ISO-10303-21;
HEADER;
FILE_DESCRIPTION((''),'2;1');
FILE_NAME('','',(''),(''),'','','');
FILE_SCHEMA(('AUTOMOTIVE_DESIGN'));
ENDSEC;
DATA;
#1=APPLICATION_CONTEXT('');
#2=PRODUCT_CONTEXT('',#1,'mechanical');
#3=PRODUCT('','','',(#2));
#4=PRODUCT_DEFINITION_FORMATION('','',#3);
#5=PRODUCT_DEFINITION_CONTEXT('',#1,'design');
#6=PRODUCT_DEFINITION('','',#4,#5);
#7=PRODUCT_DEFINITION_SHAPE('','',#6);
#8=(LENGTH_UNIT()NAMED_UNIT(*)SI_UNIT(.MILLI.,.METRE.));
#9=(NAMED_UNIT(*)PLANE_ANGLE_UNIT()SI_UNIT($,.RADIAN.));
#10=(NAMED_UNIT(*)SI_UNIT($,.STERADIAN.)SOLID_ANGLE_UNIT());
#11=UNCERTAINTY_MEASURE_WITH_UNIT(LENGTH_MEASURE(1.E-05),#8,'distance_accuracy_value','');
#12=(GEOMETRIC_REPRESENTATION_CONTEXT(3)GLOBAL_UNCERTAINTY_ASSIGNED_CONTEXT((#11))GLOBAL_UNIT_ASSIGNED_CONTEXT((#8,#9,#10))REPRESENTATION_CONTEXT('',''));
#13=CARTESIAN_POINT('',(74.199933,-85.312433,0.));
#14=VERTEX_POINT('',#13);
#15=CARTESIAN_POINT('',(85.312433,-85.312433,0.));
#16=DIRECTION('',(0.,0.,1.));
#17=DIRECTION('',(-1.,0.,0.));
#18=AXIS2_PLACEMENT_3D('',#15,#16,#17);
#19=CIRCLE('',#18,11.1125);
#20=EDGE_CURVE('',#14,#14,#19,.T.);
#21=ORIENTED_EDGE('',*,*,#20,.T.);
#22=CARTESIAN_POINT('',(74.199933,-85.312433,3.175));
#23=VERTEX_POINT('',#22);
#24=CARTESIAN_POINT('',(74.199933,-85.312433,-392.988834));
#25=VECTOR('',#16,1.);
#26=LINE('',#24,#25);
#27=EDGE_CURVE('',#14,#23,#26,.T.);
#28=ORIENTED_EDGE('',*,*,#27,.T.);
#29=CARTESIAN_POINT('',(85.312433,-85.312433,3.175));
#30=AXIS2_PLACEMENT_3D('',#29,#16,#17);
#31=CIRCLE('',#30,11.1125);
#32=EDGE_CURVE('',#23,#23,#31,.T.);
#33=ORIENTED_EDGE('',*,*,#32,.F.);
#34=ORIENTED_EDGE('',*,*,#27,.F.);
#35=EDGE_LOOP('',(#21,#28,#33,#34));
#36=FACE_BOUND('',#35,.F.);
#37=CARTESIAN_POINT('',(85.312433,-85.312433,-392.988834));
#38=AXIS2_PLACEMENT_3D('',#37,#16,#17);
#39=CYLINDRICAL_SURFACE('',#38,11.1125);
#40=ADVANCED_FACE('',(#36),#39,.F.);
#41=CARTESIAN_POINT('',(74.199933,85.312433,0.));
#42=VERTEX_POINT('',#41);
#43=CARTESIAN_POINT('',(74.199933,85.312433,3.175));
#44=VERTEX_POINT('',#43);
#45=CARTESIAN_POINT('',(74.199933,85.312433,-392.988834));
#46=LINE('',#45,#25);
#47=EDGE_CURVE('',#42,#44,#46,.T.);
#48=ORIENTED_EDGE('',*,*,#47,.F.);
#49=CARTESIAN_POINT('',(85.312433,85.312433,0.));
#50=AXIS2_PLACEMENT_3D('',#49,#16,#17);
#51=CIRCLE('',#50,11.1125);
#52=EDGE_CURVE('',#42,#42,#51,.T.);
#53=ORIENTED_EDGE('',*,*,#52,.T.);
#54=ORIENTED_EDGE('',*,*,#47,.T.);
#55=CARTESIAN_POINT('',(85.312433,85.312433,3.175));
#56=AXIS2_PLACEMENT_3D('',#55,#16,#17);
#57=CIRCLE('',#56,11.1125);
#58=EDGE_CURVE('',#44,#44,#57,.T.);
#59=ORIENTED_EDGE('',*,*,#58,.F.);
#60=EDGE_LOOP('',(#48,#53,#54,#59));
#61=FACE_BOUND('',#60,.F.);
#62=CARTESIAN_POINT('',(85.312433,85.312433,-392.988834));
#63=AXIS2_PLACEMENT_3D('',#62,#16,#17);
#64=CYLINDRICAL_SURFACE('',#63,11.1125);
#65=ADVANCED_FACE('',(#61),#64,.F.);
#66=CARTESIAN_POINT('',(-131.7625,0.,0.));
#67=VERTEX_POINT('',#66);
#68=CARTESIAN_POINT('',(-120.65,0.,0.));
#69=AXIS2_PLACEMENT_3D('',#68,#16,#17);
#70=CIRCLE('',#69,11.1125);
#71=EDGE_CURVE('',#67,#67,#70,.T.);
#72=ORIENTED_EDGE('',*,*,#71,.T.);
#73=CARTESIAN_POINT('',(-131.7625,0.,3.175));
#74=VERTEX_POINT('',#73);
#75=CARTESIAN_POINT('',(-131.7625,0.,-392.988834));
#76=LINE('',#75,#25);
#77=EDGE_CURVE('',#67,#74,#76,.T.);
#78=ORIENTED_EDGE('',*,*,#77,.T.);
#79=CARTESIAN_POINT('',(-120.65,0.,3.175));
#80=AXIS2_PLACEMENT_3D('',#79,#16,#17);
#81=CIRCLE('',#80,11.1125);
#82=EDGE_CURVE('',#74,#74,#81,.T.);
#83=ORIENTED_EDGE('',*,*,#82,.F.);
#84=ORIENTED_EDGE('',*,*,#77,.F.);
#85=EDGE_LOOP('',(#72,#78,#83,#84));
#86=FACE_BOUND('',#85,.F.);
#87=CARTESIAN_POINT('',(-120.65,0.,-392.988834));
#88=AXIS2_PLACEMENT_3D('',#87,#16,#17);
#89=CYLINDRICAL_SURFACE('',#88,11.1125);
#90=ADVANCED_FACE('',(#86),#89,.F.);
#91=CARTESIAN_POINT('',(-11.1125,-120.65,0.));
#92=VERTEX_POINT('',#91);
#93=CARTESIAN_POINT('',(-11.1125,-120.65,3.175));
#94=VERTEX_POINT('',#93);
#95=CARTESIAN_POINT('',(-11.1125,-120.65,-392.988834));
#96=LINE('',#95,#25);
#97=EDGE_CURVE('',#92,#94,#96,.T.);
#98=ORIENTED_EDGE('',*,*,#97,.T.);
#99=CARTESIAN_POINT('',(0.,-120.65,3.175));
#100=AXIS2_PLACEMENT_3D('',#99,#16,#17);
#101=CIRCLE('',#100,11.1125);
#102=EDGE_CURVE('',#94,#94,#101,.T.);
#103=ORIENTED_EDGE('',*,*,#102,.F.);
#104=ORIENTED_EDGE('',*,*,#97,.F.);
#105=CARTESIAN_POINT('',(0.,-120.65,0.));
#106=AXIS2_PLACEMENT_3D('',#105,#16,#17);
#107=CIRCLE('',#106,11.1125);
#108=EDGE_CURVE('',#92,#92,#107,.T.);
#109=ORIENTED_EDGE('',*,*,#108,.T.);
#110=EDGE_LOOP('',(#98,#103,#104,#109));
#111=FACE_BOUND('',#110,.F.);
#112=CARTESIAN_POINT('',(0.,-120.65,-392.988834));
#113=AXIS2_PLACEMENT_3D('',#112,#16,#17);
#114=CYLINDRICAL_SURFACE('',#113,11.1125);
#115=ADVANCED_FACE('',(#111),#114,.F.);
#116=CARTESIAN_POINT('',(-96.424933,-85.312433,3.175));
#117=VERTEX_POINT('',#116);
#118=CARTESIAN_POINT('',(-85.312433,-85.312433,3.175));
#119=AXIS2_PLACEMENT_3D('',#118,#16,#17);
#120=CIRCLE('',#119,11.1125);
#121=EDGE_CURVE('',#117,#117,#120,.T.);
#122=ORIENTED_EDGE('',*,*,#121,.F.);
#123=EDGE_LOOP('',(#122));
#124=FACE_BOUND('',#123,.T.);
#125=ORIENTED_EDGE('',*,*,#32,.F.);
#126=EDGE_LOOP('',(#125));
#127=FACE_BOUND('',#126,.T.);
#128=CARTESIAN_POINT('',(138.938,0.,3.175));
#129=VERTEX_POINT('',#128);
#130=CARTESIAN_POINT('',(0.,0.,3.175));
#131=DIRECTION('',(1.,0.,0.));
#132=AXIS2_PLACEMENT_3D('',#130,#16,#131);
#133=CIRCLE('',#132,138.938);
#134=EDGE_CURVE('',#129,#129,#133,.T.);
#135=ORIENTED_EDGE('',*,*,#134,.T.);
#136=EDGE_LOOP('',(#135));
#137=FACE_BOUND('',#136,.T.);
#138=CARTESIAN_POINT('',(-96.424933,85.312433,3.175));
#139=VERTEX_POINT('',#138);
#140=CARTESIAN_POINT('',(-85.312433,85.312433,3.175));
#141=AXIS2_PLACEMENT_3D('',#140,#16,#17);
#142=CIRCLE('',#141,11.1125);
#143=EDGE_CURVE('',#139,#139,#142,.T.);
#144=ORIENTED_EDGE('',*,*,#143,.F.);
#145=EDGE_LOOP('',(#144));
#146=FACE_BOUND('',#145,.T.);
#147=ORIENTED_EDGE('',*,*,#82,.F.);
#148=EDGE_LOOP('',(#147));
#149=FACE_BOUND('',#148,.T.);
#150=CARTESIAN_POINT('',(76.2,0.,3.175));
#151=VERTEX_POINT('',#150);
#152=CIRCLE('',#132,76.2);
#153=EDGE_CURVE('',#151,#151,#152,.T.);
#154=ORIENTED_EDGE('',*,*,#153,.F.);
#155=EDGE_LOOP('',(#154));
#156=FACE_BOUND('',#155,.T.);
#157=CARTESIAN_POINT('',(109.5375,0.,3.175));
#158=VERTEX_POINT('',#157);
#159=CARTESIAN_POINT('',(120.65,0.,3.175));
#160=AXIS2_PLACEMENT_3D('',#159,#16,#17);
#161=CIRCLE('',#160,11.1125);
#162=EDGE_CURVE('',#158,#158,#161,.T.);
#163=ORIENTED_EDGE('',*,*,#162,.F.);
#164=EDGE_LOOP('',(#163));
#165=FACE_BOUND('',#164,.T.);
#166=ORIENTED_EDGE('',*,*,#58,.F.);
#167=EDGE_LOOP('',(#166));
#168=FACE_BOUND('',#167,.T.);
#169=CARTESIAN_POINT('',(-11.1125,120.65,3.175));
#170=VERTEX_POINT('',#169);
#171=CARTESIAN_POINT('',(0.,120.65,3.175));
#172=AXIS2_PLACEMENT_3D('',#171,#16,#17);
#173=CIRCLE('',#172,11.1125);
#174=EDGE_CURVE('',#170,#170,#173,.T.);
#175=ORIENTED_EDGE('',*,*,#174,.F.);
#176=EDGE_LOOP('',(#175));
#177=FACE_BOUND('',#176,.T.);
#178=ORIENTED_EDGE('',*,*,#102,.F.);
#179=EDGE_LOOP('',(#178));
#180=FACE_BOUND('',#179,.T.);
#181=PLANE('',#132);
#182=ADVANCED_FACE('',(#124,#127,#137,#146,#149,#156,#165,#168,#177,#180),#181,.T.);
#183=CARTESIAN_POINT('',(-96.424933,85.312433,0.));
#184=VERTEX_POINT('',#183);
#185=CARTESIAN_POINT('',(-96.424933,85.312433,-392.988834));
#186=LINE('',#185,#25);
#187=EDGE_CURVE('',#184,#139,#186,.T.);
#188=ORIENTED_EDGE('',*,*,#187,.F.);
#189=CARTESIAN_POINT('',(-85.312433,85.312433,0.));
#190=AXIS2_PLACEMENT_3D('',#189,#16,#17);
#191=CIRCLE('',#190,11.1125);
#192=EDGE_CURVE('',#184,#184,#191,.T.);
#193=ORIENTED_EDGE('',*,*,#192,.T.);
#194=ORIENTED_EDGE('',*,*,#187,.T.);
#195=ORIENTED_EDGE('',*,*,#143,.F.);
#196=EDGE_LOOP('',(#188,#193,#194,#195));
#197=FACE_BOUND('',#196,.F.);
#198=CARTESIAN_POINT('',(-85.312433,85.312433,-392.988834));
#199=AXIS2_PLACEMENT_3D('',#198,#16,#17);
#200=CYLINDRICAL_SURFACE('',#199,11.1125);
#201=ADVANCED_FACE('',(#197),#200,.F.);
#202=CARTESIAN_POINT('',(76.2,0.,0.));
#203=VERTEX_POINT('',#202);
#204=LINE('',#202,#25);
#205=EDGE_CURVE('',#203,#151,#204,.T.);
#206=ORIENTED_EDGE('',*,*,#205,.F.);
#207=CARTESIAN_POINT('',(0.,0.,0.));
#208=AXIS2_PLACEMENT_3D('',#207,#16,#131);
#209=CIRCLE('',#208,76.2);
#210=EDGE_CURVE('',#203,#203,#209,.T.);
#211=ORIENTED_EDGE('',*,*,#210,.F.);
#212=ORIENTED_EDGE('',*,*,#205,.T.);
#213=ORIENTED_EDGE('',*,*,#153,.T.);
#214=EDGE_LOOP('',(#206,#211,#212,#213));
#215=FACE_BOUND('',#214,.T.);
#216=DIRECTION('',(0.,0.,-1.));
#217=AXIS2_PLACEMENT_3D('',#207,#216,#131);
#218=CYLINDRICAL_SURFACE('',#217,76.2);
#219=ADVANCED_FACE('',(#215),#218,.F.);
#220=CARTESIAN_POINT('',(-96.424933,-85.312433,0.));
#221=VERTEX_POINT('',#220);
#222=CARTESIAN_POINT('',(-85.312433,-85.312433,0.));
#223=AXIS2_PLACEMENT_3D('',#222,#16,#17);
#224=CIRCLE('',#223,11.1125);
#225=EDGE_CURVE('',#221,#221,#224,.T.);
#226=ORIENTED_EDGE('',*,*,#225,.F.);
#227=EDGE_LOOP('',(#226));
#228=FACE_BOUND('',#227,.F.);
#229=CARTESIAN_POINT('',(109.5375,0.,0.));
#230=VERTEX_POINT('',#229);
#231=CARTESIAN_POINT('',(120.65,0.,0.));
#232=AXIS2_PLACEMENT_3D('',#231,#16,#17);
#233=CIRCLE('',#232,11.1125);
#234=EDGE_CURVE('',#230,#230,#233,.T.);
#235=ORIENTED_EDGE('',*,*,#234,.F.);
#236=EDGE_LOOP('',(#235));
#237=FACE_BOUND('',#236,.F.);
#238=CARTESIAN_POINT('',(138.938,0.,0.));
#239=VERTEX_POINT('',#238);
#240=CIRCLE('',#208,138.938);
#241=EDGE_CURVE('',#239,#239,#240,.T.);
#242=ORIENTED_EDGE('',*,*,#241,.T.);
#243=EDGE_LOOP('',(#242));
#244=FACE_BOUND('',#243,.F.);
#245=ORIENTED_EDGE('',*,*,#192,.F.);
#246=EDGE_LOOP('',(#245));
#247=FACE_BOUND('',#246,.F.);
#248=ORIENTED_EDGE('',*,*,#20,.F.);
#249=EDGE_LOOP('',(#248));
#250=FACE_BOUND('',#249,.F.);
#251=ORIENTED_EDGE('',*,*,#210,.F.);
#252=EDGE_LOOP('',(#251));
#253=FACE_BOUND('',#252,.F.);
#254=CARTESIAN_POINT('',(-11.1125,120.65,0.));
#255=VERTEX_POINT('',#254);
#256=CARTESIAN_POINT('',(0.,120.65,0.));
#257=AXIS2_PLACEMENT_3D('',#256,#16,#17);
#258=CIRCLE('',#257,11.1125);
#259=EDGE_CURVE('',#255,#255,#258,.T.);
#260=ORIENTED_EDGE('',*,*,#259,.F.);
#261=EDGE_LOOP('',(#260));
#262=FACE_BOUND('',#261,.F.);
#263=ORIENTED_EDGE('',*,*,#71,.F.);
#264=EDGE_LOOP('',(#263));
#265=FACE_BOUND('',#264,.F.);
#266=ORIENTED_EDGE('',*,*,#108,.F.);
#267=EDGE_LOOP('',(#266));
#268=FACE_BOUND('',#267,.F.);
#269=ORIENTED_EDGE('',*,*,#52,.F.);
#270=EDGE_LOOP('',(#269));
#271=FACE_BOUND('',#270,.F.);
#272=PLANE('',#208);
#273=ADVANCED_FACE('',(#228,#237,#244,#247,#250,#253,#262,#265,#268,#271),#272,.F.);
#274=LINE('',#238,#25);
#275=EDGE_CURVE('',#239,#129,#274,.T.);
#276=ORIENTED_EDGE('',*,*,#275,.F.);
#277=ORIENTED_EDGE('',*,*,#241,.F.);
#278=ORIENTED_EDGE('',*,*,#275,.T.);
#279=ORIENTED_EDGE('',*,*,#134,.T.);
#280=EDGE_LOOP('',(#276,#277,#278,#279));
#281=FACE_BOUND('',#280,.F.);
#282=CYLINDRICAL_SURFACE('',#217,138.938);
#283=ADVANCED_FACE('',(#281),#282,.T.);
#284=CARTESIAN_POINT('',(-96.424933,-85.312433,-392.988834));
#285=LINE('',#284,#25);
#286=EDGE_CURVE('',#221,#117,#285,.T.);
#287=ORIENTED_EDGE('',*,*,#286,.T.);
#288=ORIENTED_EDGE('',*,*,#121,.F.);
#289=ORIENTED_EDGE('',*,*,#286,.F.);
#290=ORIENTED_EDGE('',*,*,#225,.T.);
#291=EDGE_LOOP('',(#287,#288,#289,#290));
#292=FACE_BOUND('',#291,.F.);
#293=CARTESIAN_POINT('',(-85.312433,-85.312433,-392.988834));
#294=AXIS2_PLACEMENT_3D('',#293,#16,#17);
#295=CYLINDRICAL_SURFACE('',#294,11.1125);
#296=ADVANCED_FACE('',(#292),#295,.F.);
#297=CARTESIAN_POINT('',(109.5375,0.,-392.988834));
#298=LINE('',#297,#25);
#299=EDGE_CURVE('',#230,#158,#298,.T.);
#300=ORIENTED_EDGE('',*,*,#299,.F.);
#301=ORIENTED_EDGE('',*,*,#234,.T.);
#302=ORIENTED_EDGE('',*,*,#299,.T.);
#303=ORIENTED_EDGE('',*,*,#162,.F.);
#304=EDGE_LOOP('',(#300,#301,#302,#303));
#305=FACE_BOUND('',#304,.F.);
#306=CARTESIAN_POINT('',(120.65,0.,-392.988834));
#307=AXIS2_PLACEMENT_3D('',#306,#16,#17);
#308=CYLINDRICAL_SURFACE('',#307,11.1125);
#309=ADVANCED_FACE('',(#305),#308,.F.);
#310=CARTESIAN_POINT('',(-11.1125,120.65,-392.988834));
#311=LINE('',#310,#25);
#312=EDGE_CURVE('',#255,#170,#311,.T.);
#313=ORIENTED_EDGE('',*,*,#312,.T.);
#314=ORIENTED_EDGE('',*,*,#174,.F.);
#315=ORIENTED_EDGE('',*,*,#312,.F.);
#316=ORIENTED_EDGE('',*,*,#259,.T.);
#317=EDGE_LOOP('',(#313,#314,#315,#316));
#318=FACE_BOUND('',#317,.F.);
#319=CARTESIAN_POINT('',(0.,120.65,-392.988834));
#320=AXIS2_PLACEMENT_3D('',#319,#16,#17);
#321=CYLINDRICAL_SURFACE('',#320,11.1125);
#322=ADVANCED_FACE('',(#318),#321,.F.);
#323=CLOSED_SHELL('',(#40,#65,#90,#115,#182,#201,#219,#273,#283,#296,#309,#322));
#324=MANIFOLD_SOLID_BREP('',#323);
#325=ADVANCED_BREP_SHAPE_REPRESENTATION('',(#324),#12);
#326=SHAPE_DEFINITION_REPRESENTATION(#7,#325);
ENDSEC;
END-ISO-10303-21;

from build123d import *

# Parameters (mm, degrees)
F0_R     = 138.938
F0_R_2   = 76.2
F1_DEPTH = 3.175
F2_D     = 22.225


with BuildPart() as f1:
    # F0 (on Top) → F1 (new body)
    with BuildSketch(Plane.XY):
        Circle(F0_R)
        Circle(F0_R_2, mode=Mode.SUBTRACT)
    extrude(amount=F1_DEPTH)

    # F2 (through all)
    with Locations(Plane(origin=(0, 0, 0), x_dir=(1, 0, 0), z_dir=(0, 0, -1))):
        with Locations((-85.312433, 85.312433), (-120.65, 0), (-85.312433, -85.312433), (0, -120.65), (85.312433, -85.312433), (120.65, 0), (85.312433, 85.312433), (0, 120.65)):
            Hole(F2_D / 2)


solid = f1.part
